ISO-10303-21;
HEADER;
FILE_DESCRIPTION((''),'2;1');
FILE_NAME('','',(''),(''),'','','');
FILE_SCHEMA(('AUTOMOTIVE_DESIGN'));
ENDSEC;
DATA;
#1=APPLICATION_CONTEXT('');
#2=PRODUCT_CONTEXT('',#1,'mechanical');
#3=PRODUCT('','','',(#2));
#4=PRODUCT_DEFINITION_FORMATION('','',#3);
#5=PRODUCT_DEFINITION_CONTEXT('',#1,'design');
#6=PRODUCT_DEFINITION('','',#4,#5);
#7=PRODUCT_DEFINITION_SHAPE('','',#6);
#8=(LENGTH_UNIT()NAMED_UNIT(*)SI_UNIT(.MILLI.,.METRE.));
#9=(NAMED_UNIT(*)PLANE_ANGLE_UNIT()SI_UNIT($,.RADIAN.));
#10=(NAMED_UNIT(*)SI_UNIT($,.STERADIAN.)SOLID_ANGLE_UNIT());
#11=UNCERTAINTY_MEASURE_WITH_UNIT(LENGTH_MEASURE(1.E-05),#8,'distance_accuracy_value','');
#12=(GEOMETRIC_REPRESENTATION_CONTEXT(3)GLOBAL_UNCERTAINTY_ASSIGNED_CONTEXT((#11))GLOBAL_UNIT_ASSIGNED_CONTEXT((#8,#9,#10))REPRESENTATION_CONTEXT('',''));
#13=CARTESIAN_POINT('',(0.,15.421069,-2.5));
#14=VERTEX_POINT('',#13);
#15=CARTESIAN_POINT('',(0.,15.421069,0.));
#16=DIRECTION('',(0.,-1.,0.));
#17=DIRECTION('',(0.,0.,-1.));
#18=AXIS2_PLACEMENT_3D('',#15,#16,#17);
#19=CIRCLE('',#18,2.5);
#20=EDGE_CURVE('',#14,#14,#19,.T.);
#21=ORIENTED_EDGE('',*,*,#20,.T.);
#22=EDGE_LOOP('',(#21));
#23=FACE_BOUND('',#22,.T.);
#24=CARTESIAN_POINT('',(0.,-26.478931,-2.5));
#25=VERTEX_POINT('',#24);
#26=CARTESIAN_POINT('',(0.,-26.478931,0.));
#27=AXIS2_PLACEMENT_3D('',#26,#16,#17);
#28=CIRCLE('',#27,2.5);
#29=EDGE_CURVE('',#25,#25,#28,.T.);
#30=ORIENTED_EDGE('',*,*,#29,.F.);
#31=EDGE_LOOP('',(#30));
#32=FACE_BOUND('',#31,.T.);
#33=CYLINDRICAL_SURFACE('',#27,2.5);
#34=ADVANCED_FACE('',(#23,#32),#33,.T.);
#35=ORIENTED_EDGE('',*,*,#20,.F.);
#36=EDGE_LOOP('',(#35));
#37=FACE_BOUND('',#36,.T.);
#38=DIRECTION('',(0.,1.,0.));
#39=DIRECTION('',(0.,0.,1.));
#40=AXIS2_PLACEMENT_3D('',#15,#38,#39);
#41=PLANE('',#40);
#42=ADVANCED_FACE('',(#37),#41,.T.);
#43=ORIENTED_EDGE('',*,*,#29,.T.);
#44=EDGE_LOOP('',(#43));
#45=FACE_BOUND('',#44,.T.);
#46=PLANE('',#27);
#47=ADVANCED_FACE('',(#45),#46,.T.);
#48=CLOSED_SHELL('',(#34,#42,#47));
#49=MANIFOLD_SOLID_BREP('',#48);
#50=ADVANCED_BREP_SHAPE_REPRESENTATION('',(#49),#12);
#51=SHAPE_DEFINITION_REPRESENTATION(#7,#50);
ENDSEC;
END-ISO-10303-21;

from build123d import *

# Parameters (mm, degrees)
SKETCH1_W = 2.5
SKETCH1_H = 41.9


with BuildPart() as part:
    # Sketch1 → Revolve1 (revolve)
    with BuildSketch(Plane.XY, mode=Mode.PRIVATE) as revolve1_sk:
        with Locations((1.25, -5.528930572)):
            Rectangle(SKETCH1_W, SKETCH1_H)
    revolve(revolve1_sk.sketch.rotate(Axis((0, -26.478930572, 0), (0, 1, 0)), 90), axis=Axis((0, -26.478930572, 0), (0, 1, 0)))


solid = part.part
